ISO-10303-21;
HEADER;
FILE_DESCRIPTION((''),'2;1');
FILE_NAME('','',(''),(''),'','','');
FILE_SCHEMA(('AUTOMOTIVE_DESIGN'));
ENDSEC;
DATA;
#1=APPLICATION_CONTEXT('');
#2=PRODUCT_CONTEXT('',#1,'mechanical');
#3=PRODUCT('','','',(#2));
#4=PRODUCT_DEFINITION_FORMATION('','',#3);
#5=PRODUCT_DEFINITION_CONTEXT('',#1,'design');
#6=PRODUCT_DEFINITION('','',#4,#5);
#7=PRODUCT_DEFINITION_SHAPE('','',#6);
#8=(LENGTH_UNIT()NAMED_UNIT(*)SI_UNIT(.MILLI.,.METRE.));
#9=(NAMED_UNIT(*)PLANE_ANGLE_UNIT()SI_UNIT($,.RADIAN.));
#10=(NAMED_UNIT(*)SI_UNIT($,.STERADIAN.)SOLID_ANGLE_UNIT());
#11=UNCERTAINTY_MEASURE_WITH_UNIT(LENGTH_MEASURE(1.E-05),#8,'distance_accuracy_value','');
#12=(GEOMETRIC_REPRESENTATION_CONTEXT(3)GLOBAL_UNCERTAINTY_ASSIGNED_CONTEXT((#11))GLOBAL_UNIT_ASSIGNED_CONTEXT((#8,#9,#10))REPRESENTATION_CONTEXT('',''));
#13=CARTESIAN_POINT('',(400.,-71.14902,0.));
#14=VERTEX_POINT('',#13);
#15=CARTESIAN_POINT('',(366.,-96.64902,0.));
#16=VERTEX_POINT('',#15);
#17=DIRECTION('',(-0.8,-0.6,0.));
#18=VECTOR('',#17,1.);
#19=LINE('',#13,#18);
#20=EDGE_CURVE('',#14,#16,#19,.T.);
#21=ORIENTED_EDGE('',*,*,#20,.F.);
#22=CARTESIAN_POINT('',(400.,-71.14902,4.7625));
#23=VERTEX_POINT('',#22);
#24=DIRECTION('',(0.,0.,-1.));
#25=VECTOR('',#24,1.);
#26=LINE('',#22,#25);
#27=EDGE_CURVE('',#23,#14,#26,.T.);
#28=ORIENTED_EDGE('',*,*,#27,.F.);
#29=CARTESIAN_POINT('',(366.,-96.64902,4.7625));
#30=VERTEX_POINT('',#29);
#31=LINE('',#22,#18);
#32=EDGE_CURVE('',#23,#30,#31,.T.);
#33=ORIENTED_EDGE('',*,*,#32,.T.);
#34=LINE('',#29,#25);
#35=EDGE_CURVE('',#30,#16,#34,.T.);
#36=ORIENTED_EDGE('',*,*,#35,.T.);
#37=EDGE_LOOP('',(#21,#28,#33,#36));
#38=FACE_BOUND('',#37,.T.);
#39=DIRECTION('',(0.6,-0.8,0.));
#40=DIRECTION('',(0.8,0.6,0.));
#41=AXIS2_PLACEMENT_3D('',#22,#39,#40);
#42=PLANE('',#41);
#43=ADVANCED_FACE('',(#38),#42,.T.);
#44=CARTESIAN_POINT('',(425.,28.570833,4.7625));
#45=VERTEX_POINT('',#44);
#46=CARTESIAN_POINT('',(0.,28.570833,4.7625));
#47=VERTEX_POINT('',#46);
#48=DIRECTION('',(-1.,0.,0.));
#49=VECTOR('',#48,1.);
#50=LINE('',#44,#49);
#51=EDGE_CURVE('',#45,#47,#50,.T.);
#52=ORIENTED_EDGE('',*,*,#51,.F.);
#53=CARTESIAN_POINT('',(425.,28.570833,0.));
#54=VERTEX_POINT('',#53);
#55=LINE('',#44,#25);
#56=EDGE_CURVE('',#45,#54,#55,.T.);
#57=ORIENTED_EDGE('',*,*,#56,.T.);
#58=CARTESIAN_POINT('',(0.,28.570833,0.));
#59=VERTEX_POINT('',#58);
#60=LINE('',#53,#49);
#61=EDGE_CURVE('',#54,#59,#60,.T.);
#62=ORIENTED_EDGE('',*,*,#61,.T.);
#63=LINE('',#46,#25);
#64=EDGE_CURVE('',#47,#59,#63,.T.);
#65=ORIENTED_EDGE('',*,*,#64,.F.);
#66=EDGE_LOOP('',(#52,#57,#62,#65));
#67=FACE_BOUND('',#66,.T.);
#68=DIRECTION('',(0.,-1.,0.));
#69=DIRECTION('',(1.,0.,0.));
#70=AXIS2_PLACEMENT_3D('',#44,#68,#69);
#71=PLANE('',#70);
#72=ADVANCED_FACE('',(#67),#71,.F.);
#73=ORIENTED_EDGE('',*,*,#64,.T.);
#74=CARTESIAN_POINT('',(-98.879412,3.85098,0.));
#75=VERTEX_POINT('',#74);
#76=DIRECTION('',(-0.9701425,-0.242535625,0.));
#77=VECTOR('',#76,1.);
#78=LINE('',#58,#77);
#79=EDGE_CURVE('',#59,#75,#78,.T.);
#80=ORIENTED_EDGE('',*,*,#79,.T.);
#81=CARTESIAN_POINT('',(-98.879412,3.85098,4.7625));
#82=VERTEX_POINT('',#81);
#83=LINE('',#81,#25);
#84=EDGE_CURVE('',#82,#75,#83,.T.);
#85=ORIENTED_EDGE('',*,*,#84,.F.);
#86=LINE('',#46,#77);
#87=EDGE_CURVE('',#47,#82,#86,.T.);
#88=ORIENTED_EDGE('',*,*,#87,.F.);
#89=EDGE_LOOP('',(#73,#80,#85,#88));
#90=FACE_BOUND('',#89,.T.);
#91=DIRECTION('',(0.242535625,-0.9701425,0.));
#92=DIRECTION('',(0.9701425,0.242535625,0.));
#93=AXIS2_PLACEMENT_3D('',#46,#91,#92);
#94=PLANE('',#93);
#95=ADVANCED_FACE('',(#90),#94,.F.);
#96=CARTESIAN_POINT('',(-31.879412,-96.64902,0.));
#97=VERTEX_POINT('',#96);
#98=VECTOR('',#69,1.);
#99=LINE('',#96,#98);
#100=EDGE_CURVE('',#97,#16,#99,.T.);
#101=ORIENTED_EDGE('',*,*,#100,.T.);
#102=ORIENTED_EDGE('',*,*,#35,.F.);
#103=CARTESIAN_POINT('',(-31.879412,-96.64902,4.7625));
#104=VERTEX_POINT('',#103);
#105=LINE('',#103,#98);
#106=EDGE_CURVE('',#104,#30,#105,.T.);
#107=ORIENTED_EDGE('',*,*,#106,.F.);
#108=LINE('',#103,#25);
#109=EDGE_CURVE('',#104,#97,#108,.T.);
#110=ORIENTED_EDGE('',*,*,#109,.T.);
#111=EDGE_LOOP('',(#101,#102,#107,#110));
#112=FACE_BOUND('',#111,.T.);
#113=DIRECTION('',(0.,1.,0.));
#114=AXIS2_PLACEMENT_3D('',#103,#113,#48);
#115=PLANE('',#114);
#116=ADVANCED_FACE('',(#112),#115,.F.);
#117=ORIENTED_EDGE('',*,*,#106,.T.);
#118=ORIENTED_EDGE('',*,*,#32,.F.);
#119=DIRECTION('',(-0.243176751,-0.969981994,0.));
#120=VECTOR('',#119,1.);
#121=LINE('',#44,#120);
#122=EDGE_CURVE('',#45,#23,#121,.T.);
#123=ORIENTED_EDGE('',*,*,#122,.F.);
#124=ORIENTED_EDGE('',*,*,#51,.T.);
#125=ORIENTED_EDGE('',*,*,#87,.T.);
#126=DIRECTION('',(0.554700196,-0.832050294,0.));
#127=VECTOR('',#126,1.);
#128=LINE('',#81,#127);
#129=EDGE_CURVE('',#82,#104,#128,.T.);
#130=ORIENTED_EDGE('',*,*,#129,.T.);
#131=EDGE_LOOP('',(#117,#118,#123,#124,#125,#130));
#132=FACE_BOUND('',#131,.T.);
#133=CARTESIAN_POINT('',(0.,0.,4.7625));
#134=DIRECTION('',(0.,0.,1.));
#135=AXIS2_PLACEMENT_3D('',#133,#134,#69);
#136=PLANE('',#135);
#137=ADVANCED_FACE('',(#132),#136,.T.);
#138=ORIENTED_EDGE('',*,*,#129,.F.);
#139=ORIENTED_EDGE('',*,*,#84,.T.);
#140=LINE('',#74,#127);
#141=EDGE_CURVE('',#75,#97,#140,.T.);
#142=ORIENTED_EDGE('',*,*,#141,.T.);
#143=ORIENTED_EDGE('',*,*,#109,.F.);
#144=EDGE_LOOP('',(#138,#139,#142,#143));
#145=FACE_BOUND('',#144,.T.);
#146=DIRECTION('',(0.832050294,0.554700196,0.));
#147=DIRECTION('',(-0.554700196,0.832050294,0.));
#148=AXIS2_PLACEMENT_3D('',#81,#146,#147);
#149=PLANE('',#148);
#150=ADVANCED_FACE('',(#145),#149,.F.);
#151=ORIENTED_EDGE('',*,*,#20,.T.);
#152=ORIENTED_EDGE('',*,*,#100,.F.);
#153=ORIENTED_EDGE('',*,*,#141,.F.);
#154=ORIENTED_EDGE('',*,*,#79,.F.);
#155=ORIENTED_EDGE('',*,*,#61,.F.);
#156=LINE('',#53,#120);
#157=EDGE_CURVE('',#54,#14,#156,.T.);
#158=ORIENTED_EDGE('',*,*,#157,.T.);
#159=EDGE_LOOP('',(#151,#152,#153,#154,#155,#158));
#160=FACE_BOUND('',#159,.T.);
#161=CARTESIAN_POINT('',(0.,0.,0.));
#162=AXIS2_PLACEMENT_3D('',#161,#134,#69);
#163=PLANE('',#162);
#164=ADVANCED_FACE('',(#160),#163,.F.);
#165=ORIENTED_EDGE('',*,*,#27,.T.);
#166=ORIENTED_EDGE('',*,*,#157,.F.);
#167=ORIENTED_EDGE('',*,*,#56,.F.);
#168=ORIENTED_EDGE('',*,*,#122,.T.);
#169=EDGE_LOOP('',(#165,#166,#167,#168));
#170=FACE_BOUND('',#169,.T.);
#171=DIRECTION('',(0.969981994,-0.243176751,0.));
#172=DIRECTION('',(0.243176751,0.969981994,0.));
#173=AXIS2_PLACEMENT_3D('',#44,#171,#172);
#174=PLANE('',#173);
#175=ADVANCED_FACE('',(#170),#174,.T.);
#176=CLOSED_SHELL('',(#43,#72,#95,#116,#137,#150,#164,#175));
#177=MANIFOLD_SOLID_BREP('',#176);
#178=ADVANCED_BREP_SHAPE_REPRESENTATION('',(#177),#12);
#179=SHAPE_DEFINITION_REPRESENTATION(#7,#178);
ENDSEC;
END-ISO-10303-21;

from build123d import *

# Parameters (mm, degrees)
BOSS_EXTRUDE1_DEPTH = 4.7625


with BuildPart() as part:
    # Sketch1 → Boss-Extrude1 (new body)
    with BuildSketch(Plane.XY):
        Polygon((425, 28.570833333), (0, 28.570833333), (-98.879411765, 3.850980392), (-31.879411765, -96.649019608), (366, -96.649019608), (400, -71.149019608), align=None)
    extrude(amount=BOSS_EXTRUDE1_DEPTH)


solid = part.part
